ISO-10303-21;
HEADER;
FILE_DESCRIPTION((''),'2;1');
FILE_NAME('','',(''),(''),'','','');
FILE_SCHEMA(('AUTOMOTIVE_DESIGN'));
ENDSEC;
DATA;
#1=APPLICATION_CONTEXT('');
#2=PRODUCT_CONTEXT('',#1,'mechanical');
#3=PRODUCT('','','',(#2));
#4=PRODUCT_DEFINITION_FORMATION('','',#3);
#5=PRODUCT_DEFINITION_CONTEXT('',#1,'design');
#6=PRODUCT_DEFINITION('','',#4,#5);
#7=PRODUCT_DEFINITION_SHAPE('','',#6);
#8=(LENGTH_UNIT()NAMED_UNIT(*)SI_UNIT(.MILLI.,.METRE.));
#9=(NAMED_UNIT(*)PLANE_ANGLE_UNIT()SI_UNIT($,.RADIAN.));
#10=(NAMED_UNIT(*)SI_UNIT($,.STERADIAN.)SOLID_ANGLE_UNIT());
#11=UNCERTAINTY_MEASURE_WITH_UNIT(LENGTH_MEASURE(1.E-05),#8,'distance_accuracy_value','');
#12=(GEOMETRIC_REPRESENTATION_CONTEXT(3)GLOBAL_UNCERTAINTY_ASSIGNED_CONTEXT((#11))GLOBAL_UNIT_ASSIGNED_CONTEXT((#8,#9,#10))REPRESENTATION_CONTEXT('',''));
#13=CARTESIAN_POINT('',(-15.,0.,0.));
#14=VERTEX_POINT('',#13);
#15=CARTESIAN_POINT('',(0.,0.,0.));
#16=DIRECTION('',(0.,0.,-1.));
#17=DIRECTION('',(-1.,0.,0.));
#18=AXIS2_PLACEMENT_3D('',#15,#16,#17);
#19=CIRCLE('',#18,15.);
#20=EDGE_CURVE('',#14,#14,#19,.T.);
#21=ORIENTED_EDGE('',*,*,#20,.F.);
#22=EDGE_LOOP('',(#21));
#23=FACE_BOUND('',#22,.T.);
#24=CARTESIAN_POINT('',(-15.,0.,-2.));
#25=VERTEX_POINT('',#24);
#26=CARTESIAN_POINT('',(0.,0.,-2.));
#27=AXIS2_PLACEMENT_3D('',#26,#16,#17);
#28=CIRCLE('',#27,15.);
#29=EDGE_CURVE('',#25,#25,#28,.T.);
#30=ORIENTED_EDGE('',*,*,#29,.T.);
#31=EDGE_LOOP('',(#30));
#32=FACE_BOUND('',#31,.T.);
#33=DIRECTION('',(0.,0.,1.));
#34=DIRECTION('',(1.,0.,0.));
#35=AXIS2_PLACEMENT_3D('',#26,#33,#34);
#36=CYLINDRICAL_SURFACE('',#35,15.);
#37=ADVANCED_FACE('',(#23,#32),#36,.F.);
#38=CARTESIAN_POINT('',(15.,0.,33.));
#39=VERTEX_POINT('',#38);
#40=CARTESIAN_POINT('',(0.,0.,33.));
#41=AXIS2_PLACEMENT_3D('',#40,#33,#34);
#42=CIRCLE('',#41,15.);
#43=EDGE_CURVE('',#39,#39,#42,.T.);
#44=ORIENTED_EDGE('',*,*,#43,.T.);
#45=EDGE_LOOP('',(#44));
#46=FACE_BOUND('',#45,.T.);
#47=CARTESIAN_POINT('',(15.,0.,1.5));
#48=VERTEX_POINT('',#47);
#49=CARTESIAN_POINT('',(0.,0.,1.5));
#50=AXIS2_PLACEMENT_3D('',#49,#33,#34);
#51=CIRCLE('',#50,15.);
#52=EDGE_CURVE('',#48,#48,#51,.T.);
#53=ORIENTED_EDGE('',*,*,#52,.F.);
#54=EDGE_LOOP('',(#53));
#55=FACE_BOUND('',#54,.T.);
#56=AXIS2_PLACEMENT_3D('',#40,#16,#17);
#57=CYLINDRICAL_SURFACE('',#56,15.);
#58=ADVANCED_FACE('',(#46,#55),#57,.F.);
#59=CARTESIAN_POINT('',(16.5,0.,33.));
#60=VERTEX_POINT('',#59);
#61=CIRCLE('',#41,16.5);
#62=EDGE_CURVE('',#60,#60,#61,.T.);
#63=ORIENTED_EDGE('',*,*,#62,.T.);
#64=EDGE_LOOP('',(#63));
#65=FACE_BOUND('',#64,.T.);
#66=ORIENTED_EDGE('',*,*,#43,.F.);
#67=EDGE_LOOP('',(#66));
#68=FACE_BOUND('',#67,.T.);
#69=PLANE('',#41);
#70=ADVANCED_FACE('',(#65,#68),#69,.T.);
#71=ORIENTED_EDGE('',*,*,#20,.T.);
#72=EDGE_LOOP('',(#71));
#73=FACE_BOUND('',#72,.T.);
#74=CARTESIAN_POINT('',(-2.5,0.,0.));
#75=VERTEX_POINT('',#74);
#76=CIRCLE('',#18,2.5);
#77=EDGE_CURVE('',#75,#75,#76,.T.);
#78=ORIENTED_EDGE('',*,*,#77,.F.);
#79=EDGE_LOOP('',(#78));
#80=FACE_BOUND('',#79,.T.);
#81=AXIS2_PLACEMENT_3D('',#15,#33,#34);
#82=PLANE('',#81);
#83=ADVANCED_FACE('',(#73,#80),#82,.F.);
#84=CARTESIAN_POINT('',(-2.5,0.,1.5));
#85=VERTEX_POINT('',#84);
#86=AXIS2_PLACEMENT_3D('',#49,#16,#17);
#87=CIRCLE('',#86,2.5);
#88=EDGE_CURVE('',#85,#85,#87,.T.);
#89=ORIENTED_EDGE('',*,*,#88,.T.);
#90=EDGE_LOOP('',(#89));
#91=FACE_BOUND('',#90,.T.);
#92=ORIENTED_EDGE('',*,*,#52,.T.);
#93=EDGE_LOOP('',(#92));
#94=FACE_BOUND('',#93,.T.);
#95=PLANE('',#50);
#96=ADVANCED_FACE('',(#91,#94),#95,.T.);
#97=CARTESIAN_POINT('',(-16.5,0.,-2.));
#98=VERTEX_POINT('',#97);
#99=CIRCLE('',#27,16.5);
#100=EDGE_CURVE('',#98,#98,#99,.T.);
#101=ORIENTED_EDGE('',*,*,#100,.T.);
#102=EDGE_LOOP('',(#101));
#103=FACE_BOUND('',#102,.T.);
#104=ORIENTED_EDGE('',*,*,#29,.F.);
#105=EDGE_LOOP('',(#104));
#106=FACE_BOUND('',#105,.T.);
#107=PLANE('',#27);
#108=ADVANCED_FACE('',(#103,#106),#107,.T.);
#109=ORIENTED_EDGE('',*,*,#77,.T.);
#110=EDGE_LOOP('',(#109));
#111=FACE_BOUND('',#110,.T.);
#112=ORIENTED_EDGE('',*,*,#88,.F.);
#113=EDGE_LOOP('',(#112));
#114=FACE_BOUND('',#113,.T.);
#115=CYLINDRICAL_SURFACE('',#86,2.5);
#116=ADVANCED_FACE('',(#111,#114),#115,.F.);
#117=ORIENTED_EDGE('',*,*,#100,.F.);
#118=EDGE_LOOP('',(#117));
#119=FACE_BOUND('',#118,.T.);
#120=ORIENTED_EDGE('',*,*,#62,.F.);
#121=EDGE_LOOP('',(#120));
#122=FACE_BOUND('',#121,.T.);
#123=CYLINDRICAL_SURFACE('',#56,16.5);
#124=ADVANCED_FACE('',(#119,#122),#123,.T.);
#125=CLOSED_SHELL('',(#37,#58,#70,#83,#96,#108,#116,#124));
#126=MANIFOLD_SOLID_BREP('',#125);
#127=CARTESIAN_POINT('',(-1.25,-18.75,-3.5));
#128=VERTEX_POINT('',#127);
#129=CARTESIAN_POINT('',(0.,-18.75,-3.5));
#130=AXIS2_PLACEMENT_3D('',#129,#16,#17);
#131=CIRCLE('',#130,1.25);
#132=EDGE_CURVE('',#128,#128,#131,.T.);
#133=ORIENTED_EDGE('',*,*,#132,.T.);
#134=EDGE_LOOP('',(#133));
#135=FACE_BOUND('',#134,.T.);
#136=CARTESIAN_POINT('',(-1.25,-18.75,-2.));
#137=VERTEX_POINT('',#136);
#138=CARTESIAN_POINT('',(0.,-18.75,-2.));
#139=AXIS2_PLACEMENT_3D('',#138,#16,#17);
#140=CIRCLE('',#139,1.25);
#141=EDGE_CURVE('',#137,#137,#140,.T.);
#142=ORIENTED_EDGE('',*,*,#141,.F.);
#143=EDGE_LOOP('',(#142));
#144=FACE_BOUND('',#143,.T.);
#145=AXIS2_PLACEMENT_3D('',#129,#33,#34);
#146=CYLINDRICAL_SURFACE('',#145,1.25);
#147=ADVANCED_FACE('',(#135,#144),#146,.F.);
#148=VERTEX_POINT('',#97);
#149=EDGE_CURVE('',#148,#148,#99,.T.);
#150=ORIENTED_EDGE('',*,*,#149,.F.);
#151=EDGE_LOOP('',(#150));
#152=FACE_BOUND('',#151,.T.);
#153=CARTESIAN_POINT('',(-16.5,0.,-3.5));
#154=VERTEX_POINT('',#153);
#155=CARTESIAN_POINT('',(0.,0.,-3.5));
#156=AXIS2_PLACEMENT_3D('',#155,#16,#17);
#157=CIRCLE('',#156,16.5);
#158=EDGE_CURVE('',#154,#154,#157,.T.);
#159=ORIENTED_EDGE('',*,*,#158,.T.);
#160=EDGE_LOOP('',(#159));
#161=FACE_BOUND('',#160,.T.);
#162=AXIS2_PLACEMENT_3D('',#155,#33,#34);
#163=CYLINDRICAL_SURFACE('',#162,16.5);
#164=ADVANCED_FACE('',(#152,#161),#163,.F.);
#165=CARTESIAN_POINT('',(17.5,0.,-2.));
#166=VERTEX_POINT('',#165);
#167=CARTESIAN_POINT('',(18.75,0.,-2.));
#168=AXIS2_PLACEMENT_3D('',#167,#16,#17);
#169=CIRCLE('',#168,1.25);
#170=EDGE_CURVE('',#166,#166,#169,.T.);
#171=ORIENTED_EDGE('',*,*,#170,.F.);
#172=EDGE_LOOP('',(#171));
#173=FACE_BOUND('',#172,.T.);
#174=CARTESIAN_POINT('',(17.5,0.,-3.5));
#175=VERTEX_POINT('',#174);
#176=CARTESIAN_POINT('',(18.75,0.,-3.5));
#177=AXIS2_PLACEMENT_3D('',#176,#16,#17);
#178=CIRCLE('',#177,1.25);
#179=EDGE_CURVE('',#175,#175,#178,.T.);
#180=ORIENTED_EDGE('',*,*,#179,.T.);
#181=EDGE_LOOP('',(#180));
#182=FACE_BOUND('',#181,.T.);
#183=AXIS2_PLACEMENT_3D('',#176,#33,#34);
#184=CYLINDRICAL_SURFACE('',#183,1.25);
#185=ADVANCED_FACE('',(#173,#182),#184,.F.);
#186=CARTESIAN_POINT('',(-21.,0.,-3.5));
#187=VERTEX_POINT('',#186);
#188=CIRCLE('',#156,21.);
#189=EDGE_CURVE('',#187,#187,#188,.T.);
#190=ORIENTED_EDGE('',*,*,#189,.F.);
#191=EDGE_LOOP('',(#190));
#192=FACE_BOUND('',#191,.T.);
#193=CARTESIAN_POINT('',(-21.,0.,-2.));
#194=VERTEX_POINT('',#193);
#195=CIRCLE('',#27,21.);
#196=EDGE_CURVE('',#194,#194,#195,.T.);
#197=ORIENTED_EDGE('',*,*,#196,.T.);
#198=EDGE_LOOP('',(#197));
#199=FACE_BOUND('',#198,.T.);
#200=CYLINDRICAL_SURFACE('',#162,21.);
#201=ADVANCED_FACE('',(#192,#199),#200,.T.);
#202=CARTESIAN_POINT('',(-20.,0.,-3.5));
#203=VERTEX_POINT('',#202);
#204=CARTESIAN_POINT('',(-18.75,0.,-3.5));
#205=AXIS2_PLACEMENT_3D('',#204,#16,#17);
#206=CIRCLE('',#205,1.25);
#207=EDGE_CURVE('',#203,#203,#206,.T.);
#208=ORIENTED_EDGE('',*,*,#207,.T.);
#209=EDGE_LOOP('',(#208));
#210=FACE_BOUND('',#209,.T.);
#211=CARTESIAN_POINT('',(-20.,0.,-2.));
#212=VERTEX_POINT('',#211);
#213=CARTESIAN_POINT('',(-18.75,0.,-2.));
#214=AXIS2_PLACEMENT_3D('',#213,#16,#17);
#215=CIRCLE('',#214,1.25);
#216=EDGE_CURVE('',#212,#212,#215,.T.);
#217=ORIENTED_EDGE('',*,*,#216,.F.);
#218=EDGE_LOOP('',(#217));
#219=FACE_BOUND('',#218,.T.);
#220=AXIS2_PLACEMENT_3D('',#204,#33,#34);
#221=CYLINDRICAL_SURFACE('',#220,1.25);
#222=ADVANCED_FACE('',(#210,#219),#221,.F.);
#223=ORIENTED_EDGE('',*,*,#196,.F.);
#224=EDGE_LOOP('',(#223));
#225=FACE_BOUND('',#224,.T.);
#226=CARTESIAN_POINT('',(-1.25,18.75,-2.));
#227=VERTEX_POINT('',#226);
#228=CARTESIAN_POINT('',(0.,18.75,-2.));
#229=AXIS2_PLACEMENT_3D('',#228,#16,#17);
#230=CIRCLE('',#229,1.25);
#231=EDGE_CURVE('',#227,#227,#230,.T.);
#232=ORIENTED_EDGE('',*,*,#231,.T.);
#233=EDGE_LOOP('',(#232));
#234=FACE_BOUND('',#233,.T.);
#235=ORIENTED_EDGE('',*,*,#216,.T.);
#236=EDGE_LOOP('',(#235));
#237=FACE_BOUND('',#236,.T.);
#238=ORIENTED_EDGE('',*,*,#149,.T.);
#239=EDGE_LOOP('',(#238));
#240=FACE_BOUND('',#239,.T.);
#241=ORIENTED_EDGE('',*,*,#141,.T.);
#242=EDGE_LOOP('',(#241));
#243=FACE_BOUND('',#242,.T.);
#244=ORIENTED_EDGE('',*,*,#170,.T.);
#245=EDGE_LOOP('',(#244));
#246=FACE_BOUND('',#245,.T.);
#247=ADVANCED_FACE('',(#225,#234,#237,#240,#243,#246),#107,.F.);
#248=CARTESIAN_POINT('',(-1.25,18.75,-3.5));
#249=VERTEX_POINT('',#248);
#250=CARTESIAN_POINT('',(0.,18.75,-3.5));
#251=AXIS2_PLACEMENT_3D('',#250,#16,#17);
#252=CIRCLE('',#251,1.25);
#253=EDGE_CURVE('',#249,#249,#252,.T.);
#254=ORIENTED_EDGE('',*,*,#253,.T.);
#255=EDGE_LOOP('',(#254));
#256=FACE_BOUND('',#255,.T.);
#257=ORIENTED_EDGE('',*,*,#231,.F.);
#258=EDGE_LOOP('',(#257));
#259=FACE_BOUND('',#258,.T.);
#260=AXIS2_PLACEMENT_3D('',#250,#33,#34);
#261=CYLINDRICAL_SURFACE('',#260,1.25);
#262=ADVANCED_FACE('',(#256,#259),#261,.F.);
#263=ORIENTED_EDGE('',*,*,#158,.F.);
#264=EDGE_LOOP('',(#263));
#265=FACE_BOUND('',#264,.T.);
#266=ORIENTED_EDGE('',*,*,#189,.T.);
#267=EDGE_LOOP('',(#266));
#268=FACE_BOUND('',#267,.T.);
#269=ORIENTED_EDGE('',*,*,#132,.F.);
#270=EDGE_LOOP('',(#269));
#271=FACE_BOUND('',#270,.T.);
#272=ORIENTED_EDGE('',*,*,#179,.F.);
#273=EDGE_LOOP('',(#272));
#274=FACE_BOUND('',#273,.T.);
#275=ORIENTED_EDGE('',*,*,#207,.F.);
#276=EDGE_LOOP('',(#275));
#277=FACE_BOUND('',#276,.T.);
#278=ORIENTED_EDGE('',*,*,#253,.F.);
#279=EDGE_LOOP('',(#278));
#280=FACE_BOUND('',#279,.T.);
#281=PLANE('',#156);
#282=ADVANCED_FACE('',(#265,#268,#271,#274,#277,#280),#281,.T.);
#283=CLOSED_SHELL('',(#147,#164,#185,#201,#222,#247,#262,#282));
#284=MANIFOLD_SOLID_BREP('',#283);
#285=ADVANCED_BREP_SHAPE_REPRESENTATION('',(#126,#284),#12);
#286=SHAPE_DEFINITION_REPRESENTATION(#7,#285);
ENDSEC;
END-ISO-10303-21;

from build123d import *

# Parameters (mm, degrees)
SKETCH2_R           = 16.5
BOSS_EXTRUDE1_DEPTH = 33
SHELL2_T            = -1.5
SKETCH6_R           = 2.5
CUT_EXTRUDE3_DEPTH  = 1.5
SKETCH7_R           = 16.5
SKETCH7_R_2         = 15
BOSS_EXTRUDE3_DEPTH = 2
SKETCH8_R           = 21
SKETCH8_R_2         = 16.5
SKETCH8_R_3         = 1.25
BOSS_EXTRUDE4_DEPTH = 1.5


with BuildPart() as part:
    # Sketch2 → Boss-Extrude1 (new body)
    with BuildSketch(Plane.XY):
        Circle(SKETCH2_R)
    extrude(amount=BOSS_EXTRUDE1_DEPTH)

    # Shell2
    shell2_openings = [part.faces().sort_by_distance(p)[0] for p in [
        (0, 0, 33),
    ]]
    offset(amount=SHELL2_T, openings=shell2_openings, kind=Kind.INTERSECTION)

    # Sketch6 → Cut-Extrude3 (cut)
    with BuildSketch(Plane(origin=(0, 0, 0), x_dir=(-1, 0, 0), z_dir=(0, 0, -1))):
        Circle(SKETCH6_R)
    extrude(amount=-CUT_EXTRUDE3_DEPTH, mode=Mode.SUBTRACT)

    # Sketch7 → Boss-Extrude3 (add)
    with BuildSketch(Plane(origin=(0, 0, 0), x_dir=(-1, 0, 0), z_dir=(0, 0, -1))):
        Circle(SKETCH7_R)
        with Locations(Location((0, 0, 0), (0, 0, 180))):
            Circle(SKETCH7_R_2, mode=Mode.SUBTRACT)
    extrude(amount=BOSS_EXTRUDE3_DEPTH)


with BuildPart() as body_2:
    # Sketch8 → Boss-Extrude4 (new body)
    with BuildSketch(Plane(origin=(0, 0, -2), x_dir=(-1, 0, 0), z_dir=(0, 0, -1))):
        Circle(SKETCH8_R)
        Circle(SKETCH8_R_2, mode=Mode.SUBTRACT)
        with Locations((0, 18.75)):
            Circle(SKETCH8_R_3, mode=Mode.SUBTRACT)
        with Locations((18.75, 0)):
            Circle(SKETCH8_R_3, mode=Mode.SUBTRACT)
        with Locations((0, -18.75)):
            Circle(SKETCH8_R_3, mode=Mode.SUBTRACT)
        with Locations((-18.75, 0)):
            Circle(SKETCH8_R_3, mode=Mode.SUBTRACT)
    extrude(amount=BOSS_EXTRUDE4_DEPTH)


solid = Compound([part.part, body_2.part])
